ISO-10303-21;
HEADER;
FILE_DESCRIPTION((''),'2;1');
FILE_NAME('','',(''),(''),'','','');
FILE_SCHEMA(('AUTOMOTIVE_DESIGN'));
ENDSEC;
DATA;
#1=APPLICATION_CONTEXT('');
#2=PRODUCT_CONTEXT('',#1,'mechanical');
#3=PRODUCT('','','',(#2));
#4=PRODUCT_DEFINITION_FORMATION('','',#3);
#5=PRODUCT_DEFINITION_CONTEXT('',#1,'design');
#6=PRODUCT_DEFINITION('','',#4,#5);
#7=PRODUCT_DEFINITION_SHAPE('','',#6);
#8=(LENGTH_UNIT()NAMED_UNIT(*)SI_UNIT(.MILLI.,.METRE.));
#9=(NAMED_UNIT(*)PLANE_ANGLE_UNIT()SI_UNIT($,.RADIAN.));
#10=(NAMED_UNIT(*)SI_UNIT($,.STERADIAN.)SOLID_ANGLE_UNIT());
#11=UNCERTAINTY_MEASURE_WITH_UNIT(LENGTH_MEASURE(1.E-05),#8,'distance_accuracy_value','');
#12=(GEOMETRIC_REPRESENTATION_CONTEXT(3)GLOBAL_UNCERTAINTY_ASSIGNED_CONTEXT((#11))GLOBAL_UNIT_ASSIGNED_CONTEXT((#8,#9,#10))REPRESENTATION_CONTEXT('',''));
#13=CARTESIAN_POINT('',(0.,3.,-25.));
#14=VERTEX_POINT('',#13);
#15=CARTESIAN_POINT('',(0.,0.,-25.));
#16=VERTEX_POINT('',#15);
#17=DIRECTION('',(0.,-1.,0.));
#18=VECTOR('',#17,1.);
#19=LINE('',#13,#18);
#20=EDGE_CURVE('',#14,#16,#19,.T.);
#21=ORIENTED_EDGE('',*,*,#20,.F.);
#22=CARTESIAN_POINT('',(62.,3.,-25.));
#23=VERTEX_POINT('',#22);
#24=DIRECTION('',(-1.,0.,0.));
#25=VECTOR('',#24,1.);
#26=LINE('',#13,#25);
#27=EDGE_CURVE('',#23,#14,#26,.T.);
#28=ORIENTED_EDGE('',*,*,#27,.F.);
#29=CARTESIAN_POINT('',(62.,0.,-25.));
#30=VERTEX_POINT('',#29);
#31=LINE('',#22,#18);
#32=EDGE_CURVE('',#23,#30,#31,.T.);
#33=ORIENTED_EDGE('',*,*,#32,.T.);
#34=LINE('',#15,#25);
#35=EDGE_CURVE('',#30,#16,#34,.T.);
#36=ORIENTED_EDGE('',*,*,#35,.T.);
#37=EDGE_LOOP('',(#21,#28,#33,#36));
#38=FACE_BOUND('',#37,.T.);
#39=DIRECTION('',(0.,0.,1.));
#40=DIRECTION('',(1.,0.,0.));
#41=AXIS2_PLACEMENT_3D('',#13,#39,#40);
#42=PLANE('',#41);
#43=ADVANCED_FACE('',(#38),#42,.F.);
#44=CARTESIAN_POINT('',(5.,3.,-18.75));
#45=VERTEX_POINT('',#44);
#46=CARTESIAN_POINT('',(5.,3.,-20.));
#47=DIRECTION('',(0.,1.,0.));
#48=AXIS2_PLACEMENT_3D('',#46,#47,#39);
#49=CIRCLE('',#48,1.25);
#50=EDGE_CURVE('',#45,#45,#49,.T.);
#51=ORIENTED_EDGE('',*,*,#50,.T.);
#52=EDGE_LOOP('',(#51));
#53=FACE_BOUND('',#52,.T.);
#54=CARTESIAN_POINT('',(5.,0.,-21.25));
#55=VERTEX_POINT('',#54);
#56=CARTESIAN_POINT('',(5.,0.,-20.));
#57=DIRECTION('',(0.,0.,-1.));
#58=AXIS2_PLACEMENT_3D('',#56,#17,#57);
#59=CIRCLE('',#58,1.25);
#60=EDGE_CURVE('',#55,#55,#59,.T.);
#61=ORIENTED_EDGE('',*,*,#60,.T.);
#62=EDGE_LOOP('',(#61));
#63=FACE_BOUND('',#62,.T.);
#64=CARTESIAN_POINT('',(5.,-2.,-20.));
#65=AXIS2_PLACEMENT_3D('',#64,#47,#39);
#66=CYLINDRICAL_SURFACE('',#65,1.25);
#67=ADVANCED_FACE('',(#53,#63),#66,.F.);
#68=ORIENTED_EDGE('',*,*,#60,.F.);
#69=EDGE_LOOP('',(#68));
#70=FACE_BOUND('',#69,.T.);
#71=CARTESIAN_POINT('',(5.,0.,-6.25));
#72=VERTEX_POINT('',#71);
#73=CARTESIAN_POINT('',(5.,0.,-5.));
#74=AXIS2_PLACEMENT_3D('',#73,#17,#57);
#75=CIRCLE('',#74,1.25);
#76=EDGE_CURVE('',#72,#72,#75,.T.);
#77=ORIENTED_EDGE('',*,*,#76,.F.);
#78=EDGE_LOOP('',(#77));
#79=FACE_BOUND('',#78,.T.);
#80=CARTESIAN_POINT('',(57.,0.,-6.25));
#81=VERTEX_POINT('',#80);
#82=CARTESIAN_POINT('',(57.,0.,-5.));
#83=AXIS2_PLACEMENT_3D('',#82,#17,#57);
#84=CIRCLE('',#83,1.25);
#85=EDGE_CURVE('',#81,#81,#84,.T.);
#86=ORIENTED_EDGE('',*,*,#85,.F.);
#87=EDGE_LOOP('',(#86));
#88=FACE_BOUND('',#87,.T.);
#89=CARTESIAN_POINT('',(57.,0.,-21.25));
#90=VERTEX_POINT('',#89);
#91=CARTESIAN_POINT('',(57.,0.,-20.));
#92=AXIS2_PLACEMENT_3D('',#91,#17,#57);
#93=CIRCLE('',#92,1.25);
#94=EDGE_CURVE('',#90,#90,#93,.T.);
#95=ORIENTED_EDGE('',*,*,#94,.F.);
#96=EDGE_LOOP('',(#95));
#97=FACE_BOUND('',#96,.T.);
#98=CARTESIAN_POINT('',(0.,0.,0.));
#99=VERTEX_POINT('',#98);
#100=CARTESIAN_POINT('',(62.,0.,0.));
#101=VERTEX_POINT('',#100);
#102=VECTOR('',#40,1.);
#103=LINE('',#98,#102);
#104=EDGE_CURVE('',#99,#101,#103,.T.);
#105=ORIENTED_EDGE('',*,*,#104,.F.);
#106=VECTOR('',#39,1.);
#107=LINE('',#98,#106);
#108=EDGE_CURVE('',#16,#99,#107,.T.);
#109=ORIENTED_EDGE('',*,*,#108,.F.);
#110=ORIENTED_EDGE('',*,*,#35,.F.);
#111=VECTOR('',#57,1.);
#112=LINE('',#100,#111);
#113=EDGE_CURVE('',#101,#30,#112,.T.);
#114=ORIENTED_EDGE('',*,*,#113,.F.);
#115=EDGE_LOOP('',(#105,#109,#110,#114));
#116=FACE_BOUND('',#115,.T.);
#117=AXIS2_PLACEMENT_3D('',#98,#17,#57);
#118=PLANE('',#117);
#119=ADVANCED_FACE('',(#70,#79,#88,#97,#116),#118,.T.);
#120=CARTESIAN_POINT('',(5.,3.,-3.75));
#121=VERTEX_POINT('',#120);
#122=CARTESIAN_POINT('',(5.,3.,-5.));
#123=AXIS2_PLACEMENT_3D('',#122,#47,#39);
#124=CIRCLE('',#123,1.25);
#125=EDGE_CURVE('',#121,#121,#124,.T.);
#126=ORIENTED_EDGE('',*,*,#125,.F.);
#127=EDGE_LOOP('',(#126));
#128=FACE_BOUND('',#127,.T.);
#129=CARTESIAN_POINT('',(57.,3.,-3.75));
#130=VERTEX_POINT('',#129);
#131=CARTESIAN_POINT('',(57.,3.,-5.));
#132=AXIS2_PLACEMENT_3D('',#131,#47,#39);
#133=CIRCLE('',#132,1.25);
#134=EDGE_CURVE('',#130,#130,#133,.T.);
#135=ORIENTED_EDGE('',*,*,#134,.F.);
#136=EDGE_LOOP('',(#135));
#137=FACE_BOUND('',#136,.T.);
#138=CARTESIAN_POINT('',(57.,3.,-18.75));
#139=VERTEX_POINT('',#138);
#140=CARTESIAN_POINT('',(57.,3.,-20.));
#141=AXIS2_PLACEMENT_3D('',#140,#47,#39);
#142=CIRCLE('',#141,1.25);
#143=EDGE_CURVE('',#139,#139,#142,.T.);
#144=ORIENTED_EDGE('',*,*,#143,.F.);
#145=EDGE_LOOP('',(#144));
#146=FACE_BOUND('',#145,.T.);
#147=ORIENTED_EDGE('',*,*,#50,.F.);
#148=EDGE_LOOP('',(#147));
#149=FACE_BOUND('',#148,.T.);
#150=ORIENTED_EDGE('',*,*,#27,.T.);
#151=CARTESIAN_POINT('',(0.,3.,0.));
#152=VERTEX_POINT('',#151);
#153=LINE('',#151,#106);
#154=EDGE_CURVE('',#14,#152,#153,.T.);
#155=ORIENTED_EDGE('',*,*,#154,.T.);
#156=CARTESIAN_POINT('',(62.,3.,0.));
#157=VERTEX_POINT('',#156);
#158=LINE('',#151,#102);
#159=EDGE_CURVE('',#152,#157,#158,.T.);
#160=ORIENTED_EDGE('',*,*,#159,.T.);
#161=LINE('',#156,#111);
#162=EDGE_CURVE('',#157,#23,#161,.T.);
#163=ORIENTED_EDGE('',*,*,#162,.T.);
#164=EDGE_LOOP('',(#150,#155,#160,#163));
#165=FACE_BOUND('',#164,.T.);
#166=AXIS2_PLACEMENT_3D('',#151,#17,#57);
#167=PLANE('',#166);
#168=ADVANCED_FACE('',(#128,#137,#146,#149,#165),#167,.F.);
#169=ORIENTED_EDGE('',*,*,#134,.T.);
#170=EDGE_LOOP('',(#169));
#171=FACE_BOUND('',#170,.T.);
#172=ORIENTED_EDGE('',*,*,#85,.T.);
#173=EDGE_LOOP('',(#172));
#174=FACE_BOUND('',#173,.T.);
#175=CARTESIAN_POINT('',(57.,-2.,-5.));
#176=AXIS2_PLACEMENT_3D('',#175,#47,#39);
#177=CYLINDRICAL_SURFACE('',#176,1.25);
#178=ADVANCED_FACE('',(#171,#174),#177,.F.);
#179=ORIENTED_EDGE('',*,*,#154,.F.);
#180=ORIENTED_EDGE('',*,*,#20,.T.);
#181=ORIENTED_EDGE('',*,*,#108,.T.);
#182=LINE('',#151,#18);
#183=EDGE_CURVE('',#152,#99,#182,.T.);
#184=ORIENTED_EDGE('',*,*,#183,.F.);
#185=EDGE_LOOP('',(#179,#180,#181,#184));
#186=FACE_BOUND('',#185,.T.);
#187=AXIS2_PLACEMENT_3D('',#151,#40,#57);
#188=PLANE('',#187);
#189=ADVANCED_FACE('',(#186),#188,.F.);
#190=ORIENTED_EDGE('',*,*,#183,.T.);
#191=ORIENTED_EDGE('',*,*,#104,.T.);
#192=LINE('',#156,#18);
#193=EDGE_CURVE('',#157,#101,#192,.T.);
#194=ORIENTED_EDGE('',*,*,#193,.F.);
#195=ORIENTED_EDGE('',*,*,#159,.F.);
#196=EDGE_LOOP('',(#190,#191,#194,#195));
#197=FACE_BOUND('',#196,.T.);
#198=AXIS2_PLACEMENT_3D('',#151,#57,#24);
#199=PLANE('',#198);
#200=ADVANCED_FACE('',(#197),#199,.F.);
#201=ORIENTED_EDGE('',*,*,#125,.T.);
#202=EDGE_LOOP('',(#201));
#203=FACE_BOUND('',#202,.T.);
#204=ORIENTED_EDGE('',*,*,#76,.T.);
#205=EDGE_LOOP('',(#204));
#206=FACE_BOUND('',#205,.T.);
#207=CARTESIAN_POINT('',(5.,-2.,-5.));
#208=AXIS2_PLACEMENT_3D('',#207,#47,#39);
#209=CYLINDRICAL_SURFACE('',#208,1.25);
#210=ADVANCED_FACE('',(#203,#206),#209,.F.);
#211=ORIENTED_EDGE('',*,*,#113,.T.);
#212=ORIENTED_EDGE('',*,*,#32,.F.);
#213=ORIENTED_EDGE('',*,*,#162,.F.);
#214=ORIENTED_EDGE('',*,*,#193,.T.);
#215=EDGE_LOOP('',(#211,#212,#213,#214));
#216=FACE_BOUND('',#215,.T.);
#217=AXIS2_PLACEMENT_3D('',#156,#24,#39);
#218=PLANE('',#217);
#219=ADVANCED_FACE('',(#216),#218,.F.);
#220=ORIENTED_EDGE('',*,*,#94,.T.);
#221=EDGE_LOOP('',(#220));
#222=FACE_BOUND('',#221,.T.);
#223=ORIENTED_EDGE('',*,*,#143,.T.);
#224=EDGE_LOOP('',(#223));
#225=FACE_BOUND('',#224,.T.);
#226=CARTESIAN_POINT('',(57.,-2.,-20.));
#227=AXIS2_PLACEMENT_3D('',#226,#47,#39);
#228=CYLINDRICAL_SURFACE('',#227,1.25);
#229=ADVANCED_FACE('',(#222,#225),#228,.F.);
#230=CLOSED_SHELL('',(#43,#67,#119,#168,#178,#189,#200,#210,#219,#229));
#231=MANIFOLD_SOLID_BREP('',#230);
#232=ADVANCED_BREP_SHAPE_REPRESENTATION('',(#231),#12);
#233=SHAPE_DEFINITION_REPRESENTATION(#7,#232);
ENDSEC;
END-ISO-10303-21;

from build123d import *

# Parameters (mm, degrees)
SZKIC1_W                    = 62
SZKIC1_H                    = 25
DODANIE_WYCI_GNI_CIE1_DEPTH = 3
SZKIC2_R                    = 1.25
WYTNIJ_WYCI_GNI_CIE1_DEPTH  = 5


with BuildPart() as part:
    # Szkic1 → Dodanie-wyciągnięcie1 (new body)
    with BuildSketch(Plane(origin=(0, 0, 0), x_dir=(1, 0, 0), z_dir=(0, 1, 0))):
        with Locations((31, 12.5)):
            Rectangle(SZKIC1_W, SZKIC1_H)
    extrude(amount=DODANIE_WYCI_GNI_CIE1_DEPTH)

    # Szkic2 → Wytnij-wyciągnięcie1 (cut)
    with BuildSketch(Plane(origin=(0, 3, 0), x_dir=(1, 0, 0), z_dir=(0, 1, 0))):
        with Locations(Location((5, 5, 0), (0, 0, 270))):
            Circle(SZKIC2_R)
        with Locations(Location((57, 5, 0), (0, 0, 270))):
            Circle(SZKIC2_R)
        with Locations(Location((57, 20, 0), (0, 0, 270))):
            Circle(SZKIC2_R)
        with Locations(Location((5, 20, 0), (0, 0, 270))):
            Circle(SZKIC2_R)
    extrude(amount=-WYTNIJ_WYCI_GNI_CIE1_DEPTH, mode=Mode.SUBTRACT)


solid = part.part
